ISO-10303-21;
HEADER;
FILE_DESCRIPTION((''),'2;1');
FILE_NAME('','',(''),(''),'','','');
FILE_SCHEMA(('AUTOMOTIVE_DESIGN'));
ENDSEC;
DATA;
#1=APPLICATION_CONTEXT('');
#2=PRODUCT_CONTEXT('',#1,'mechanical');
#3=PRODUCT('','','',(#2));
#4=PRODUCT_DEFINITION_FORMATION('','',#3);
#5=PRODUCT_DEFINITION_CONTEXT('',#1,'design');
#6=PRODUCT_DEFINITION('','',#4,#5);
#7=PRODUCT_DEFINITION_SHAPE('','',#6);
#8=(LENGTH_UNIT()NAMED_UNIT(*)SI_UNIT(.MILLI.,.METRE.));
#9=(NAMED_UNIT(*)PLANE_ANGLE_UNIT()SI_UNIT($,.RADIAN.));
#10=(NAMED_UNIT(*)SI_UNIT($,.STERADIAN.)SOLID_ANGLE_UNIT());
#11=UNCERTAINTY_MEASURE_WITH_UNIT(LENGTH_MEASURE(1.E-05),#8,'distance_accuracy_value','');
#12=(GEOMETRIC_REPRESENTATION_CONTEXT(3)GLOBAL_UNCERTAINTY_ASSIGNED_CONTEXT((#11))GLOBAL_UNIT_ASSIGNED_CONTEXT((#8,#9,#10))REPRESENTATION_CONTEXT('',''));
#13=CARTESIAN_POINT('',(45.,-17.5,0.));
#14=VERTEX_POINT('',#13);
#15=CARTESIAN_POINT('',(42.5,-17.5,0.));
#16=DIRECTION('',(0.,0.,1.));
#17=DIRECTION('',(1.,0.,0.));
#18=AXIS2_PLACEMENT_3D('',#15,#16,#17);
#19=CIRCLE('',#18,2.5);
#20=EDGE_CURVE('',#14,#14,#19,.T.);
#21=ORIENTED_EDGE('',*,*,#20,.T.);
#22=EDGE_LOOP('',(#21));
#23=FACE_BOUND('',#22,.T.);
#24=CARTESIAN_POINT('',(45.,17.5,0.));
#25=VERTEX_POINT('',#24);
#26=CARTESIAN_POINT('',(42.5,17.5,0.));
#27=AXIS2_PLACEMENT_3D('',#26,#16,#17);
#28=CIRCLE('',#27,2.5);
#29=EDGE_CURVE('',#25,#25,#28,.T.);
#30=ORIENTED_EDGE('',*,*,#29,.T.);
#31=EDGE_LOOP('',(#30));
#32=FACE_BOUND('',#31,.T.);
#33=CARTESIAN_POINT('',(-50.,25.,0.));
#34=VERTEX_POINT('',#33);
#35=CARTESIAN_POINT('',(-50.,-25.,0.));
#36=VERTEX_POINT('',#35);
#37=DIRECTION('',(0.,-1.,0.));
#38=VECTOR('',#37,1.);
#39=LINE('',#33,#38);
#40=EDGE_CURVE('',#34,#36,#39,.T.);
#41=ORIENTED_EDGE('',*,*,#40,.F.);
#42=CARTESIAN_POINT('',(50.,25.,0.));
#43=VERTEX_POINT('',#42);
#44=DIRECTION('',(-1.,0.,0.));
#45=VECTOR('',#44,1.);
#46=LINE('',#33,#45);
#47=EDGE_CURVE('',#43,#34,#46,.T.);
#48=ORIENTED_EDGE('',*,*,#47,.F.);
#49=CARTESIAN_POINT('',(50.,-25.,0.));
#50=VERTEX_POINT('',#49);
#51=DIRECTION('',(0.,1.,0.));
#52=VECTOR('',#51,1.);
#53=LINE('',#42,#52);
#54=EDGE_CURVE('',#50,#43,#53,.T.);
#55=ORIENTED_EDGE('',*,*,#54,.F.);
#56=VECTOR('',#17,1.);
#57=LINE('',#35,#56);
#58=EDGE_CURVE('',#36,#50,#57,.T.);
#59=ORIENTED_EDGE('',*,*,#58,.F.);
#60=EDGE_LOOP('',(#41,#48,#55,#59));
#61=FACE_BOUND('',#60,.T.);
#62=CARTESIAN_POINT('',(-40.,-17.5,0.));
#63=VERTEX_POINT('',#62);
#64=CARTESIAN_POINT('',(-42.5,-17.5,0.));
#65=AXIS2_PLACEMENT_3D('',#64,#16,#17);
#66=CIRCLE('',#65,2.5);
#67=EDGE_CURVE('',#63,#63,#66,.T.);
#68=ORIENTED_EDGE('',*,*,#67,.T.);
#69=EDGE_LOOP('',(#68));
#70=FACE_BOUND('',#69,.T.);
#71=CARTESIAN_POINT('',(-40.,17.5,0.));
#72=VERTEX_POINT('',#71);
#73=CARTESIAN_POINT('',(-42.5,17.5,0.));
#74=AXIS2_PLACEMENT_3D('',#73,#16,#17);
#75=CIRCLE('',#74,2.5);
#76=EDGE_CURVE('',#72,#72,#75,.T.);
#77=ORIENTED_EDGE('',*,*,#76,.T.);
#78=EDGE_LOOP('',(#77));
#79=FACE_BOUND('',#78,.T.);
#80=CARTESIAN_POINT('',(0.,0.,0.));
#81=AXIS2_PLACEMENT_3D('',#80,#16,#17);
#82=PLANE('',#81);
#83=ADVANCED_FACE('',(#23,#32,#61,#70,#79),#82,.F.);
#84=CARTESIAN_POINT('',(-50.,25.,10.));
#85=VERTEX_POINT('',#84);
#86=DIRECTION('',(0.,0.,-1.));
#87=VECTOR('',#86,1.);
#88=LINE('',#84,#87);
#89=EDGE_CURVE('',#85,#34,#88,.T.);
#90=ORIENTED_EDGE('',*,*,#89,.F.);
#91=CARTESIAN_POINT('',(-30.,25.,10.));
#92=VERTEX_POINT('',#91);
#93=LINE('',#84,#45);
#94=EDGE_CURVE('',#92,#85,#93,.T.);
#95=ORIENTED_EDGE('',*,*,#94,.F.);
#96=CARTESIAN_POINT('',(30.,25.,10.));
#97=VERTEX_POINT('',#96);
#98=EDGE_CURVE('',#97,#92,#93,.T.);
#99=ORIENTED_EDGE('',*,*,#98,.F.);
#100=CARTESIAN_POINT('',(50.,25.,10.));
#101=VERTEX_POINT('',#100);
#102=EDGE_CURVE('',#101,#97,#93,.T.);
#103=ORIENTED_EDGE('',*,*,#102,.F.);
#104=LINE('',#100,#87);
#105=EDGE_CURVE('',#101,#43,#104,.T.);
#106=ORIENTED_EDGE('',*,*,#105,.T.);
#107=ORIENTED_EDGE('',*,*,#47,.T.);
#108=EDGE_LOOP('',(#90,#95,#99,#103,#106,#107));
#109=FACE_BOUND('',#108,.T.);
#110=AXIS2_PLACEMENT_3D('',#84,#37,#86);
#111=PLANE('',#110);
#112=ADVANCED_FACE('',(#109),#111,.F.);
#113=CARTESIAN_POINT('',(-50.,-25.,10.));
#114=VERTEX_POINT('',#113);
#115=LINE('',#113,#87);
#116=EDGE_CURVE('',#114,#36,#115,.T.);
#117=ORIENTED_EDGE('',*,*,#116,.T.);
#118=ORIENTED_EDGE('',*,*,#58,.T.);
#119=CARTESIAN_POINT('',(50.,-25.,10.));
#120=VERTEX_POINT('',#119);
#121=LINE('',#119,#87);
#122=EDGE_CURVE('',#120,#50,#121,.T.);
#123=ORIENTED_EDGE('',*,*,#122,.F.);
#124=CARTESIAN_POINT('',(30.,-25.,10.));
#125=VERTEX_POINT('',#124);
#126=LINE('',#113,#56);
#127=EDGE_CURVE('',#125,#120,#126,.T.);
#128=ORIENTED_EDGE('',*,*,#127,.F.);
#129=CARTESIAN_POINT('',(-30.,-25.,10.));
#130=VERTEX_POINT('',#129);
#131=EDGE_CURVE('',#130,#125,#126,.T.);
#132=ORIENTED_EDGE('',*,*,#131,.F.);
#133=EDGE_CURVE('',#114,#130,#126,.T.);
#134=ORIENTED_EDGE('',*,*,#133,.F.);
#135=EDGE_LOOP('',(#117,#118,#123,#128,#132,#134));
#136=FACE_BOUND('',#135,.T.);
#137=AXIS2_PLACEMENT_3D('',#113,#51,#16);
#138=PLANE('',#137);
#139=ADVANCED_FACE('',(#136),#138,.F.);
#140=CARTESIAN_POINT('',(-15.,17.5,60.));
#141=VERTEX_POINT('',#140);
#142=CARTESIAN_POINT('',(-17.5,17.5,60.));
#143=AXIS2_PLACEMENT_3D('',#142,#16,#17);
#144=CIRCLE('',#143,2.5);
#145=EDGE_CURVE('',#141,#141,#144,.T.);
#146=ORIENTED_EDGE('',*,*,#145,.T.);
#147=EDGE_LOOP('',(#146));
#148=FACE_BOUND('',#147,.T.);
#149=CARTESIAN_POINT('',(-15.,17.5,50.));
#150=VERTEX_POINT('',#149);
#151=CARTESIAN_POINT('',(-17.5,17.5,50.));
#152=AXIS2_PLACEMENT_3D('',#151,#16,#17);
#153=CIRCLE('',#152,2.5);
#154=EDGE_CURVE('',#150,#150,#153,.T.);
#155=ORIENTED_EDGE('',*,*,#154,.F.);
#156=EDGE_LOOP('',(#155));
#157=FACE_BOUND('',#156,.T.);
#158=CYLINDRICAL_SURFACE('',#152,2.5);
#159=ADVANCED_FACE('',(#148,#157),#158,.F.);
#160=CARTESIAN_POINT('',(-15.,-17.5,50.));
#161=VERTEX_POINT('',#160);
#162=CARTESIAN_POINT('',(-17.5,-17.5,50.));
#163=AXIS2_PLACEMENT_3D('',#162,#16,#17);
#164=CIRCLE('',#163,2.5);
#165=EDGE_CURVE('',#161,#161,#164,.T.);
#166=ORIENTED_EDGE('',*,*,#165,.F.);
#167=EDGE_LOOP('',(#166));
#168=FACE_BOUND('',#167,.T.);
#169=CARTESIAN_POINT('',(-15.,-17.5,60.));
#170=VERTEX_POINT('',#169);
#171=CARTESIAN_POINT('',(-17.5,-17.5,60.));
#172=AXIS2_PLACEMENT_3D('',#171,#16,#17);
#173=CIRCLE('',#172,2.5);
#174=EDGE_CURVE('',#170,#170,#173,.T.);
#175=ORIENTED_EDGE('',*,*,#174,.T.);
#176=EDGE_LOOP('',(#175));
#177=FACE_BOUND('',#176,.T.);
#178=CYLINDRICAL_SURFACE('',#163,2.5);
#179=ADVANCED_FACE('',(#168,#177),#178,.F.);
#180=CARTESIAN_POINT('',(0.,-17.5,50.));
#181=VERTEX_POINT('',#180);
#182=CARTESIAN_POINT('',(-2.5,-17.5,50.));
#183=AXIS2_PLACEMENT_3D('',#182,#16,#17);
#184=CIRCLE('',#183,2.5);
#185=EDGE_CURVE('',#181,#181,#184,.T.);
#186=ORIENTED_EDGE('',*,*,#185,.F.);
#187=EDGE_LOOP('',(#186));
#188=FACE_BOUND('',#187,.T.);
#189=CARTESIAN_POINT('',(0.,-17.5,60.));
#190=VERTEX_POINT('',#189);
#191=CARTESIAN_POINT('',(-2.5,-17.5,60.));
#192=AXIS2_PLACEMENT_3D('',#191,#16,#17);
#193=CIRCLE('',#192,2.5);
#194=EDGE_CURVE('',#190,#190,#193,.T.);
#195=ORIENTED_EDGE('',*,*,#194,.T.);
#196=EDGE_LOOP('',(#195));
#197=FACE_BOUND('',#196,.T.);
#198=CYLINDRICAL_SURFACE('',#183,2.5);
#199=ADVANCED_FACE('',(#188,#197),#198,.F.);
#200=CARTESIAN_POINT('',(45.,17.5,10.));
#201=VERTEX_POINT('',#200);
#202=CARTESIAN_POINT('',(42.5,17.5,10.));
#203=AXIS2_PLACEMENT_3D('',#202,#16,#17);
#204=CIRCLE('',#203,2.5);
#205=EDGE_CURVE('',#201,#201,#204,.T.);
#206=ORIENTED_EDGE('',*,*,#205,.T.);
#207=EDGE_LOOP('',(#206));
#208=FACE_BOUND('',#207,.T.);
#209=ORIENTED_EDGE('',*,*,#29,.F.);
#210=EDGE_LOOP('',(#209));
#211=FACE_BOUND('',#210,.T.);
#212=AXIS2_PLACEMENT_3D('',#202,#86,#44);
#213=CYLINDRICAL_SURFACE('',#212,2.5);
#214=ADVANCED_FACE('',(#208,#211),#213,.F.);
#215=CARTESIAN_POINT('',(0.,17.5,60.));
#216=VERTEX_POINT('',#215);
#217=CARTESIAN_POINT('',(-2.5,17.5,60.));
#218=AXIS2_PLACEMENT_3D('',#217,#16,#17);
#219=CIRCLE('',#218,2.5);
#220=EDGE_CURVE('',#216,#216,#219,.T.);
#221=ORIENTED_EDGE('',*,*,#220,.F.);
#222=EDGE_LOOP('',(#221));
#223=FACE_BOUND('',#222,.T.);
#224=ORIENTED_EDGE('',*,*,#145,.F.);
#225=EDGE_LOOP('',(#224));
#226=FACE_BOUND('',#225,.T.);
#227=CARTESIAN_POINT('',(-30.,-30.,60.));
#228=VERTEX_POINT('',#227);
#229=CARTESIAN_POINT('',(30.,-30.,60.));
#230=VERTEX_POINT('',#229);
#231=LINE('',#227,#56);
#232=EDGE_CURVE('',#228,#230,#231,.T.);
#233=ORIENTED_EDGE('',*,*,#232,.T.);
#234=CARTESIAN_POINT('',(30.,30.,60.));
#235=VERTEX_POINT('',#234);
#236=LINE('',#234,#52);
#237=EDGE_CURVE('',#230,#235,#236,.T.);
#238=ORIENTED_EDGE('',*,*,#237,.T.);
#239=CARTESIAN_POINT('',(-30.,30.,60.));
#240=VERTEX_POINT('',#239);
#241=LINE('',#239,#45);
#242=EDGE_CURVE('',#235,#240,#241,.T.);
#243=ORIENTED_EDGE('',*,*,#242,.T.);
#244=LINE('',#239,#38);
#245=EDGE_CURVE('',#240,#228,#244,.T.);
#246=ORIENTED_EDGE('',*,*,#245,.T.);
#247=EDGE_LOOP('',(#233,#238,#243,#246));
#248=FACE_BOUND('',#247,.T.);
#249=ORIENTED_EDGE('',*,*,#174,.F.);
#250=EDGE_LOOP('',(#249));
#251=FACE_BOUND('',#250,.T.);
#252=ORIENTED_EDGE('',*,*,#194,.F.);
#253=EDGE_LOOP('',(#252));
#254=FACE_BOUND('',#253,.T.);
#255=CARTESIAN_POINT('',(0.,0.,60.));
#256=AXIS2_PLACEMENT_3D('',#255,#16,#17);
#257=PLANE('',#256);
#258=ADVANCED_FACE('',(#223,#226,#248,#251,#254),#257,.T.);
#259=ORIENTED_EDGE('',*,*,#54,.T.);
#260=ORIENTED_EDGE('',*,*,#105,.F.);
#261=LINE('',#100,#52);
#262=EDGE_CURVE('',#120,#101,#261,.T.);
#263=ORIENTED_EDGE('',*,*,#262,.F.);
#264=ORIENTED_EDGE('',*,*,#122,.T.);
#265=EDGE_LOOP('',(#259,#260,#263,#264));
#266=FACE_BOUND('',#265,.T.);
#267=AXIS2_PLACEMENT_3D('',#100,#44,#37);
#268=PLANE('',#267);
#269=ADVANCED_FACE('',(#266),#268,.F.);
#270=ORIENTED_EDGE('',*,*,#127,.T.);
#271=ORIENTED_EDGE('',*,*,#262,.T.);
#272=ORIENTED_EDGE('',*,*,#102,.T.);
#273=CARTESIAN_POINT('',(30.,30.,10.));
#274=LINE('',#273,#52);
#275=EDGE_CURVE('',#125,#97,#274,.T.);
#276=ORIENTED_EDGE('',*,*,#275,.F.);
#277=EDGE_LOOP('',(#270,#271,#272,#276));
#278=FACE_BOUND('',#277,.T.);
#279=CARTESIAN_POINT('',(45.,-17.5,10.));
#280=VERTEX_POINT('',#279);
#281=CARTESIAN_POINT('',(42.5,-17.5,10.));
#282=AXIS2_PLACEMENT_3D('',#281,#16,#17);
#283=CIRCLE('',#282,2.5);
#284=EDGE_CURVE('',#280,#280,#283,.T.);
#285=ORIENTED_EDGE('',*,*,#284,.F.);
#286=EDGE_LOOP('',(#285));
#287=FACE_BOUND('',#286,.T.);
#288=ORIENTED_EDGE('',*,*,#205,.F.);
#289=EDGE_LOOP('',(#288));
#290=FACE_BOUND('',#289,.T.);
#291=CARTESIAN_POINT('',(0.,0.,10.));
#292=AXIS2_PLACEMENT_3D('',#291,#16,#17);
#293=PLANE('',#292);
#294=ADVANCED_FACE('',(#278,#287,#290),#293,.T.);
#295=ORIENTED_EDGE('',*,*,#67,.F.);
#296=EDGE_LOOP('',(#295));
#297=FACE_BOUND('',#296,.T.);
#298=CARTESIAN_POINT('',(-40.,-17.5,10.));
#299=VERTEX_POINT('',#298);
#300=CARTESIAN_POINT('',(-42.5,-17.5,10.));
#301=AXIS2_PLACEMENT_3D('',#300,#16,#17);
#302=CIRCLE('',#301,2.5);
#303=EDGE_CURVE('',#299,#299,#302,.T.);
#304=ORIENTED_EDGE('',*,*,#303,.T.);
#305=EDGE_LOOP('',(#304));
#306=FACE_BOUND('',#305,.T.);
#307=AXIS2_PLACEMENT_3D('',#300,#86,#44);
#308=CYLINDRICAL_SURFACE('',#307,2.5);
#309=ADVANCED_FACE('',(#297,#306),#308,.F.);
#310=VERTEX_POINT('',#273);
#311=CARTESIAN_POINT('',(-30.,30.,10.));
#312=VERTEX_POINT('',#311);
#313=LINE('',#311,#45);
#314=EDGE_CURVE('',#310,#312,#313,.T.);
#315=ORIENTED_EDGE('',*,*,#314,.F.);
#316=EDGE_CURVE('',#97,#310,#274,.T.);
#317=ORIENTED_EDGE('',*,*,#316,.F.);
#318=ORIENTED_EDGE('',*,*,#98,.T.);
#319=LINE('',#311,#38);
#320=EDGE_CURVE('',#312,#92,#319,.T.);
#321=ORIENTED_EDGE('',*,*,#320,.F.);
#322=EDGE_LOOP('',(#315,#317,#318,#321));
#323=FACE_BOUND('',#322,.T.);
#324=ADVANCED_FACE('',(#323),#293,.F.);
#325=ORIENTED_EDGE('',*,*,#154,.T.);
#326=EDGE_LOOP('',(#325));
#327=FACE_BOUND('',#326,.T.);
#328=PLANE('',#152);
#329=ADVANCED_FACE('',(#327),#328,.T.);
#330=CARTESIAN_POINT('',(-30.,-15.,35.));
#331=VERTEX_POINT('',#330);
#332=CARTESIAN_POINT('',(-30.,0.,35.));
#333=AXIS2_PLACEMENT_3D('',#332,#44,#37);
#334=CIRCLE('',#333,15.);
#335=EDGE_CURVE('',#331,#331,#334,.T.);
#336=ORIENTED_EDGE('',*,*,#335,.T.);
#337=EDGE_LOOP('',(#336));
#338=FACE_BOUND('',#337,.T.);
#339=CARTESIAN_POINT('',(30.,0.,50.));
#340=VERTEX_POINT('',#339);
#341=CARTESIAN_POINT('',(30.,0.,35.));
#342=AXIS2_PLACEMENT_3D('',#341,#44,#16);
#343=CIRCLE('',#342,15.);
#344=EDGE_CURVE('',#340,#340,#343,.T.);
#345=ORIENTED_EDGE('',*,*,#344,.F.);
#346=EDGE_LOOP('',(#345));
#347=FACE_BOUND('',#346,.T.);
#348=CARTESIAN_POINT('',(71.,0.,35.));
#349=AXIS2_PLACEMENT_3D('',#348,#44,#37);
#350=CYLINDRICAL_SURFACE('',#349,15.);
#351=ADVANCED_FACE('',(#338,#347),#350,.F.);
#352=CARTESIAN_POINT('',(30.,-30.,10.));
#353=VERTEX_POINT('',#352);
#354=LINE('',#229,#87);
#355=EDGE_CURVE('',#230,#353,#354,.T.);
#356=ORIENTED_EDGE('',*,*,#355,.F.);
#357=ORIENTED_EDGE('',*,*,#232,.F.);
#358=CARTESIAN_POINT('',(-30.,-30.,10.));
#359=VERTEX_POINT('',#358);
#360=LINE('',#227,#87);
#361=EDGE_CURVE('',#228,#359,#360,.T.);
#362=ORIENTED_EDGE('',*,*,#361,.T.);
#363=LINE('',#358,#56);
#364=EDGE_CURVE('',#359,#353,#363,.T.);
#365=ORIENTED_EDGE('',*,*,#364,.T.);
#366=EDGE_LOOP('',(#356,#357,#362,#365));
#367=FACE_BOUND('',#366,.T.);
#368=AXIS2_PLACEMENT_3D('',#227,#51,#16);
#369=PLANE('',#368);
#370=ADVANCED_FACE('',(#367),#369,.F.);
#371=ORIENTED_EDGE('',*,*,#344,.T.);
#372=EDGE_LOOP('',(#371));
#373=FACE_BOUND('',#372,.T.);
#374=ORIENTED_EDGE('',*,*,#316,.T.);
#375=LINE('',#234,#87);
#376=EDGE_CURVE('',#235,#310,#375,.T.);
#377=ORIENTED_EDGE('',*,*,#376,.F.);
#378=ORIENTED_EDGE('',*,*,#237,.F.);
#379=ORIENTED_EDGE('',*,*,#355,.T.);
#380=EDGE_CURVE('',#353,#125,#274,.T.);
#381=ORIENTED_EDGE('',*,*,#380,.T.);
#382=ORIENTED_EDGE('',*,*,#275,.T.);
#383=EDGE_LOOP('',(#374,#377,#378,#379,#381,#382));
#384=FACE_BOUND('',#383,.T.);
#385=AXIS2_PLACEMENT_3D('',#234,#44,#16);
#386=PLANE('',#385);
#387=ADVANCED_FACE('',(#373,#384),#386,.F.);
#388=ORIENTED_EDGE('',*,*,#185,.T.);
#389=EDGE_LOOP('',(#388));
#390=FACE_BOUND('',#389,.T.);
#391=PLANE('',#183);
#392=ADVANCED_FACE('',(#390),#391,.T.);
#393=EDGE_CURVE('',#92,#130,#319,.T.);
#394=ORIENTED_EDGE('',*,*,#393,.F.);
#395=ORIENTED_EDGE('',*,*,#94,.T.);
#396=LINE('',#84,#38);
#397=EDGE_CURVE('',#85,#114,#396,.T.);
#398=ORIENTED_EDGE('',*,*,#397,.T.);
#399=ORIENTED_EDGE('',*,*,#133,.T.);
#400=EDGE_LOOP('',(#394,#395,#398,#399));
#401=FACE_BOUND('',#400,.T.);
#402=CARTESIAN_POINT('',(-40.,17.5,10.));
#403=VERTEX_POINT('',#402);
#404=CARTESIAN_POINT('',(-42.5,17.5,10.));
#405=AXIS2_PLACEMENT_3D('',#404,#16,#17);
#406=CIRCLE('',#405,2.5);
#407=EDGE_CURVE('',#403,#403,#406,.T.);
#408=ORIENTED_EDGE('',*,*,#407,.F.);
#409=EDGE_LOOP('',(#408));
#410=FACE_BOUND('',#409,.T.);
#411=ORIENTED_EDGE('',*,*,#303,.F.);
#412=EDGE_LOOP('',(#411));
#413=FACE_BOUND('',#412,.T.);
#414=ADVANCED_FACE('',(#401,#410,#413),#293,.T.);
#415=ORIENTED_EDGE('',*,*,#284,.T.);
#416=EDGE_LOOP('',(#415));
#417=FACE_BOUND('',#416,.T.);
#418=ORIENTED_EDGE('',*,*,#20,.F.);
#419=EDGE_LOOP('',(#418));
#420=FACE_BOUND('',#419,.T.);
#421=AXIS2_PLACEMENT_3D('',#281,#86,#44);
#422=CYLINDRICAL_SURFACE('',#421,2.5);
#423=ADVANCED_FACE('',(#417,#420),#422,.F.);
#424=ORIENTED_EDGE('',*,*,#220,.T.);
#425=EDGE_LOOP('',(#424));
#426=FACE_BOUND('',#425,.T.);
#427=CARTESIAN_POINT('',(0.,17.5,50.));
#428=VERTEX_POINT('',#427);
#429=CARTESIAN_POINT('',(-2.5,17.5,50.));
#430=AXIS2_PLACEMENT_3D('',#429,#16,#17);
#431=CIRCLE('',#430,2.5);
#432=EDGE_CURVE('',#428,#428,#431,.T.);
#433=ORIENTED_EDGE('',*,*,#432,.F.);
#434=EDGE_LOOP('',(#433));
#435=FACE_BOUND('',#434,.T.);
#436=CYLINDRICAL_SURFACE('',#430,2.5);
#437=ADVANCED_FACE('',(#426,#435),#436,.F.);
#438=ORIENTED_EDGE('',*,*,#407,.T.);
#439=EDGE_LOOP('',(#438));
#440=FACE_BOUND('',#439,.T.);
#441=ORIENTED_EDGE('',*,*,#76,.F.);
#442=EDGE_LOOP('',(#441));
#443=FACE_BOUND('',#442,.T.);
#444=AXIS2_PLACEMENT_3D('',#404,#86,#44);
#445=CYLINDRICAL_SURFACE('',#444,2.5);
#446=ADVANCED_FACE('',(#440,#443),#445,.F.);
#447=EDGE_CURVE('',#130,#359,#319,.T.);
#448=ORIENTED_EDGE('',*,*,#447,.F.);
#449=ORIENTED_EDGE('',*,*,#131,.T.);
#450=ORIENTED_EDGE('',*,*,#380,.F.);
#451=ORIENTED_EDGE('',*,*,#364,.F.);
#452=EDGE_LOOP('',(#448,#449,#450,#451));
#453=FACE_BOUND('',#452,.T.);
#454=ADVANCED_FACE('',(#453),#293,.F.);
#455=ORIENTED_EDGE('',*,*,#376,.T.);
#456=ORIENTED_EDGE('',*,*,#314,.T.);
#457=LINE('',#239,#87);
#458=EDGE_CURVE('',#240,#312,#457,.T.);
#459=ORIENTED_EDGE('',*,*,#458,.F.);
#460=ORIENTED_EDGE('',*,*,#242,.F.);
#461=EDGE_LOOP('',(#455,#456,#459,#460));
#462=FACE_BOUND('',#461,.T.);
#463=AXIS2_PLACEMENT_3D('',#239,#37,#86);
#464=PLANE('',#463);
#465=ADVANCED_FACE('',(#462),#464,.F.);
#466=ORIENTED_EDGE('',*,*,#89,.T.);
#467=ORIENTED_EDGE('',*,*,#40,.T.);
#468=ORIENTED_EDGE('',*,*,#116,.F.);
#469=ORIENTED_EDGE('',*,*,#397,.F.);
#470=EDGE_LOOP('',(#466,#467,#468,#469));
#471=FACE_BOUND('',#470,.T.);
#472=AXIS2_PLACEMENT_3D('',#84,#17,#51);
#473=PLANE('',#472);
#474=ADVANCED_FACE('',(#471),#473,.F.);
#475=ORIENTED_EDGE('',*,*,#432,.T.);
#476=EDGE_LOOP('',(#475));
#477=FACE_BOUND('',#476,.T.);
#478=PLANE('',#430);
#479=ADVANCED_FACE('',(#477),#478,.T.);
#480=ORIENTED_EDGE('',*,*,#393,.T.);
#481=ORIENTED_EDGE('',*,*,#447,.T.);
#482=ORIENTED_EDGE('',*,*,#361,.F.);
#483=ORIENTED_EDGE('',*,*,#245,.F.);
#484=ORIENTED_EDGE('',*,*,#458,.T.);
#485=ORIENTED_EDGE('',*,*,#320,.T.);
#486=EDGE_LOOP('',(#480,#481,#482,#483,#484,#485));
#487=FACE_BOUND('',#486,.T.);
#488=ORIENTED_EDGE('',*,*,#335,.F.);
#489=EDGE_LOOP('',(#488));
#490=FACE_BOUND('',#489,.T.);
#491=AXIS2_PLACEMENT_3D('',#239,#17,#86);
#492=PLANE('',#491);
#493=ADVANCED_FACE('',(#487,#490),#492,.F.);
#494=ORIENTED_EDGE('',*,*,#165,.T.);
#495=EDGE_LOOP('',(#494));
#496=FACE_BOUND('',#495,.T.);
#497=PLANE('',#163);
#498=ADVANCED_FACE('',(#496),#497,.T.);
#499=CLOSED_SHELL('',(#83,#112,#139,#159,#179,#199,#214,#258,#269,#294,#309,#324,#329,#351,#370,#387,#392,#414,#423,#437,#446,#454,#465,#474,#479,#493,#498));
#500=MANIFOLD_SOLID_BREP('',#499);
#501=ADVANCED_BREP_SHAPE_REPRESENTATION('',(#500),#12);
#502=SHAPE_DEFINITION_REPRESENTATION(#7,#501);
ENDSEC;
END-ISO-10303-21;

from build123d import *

# Parameters (mm, degrees)
SKETCH1_W           = 100
SKETCH1_H           = 50
SKETCH1_R           = 2.5
BOSS_EXTRUDE1_DEPTH = 10
SKETCH2_W           = 60
SKETCH2_H           = 60
BOSS_EXTRUDE2_DEPTH = 50
SKETCH3_R           = 15
CUT_EXTRUDE1_DEPTH  = 101
SKETCH5_R           = 2.5
CUT_EXTRUDE3_DEPTH  = 10


with BuildPart() as part:
    # Sketch1 → Boss-Extrude1 (new body)
    with BuildSketch(Plane.XY):
        Rectangle(SKETCH1_W, SKETCH1_H)
        with Locations((-42.5, 17.5)):
            Circle(SKETCH1_R, mode=Mode.SUBTRACT)
        with Locations((42.5, 17.5)):
            Circle(SKETCH1_R, mode=Mode.SUBTRACT)
        with Locations((42.5, -17.5)):
            Circle(SKETCH1_R, mode=Mode.SUBTRACT)
        with Locations((-42.5, -17.5)):
            Circle(SKETCH1_R, mode=Mode.SUBTRACT)
    extrude(amount=BOSS_EXTRUDE1_DEPTH)

    # Sketch2 → Boss-Extrude2 (add)
    with BuildSketch(Plane.XY.offset(10)):
        Rectangle(SKETCH2_W, SKETCH2_H)
    extrude(amount=BOSS_EXTRUDE2_DEPTH)

    # Sketch3 → Cut-Extrude1 (cut)
    with BuildSketch(Plane.ZY.offset(30)):
        with Locations((35, 0)):
            Circle(SKETCH3_R)
    extrude(amount=-CUT_EXTRUDE1_DEPTH, mode=Mode.SUBTRACT)

    # Sketch5 → Cut-Extrude3 (cut)
    with BuildSketch(Plane.XY.offset(60)):
        with Locations((-17.5, 17.5)):
            Circle(SKETCH5_R)
        with Locations((-2.5, 17.5)):
            Circle(SKETCH5_R)
        with Locations((-2.5, -17.5)):
            Circle(SKETCH5_R)
        with Locations((-17.5, -17.5)):
            Circle(SKETCH5_R)
    extrude(amount=-CUT_EXTRUDE3_DEPTH, mode=Mode.SUBTRACT)


solid = part.part
